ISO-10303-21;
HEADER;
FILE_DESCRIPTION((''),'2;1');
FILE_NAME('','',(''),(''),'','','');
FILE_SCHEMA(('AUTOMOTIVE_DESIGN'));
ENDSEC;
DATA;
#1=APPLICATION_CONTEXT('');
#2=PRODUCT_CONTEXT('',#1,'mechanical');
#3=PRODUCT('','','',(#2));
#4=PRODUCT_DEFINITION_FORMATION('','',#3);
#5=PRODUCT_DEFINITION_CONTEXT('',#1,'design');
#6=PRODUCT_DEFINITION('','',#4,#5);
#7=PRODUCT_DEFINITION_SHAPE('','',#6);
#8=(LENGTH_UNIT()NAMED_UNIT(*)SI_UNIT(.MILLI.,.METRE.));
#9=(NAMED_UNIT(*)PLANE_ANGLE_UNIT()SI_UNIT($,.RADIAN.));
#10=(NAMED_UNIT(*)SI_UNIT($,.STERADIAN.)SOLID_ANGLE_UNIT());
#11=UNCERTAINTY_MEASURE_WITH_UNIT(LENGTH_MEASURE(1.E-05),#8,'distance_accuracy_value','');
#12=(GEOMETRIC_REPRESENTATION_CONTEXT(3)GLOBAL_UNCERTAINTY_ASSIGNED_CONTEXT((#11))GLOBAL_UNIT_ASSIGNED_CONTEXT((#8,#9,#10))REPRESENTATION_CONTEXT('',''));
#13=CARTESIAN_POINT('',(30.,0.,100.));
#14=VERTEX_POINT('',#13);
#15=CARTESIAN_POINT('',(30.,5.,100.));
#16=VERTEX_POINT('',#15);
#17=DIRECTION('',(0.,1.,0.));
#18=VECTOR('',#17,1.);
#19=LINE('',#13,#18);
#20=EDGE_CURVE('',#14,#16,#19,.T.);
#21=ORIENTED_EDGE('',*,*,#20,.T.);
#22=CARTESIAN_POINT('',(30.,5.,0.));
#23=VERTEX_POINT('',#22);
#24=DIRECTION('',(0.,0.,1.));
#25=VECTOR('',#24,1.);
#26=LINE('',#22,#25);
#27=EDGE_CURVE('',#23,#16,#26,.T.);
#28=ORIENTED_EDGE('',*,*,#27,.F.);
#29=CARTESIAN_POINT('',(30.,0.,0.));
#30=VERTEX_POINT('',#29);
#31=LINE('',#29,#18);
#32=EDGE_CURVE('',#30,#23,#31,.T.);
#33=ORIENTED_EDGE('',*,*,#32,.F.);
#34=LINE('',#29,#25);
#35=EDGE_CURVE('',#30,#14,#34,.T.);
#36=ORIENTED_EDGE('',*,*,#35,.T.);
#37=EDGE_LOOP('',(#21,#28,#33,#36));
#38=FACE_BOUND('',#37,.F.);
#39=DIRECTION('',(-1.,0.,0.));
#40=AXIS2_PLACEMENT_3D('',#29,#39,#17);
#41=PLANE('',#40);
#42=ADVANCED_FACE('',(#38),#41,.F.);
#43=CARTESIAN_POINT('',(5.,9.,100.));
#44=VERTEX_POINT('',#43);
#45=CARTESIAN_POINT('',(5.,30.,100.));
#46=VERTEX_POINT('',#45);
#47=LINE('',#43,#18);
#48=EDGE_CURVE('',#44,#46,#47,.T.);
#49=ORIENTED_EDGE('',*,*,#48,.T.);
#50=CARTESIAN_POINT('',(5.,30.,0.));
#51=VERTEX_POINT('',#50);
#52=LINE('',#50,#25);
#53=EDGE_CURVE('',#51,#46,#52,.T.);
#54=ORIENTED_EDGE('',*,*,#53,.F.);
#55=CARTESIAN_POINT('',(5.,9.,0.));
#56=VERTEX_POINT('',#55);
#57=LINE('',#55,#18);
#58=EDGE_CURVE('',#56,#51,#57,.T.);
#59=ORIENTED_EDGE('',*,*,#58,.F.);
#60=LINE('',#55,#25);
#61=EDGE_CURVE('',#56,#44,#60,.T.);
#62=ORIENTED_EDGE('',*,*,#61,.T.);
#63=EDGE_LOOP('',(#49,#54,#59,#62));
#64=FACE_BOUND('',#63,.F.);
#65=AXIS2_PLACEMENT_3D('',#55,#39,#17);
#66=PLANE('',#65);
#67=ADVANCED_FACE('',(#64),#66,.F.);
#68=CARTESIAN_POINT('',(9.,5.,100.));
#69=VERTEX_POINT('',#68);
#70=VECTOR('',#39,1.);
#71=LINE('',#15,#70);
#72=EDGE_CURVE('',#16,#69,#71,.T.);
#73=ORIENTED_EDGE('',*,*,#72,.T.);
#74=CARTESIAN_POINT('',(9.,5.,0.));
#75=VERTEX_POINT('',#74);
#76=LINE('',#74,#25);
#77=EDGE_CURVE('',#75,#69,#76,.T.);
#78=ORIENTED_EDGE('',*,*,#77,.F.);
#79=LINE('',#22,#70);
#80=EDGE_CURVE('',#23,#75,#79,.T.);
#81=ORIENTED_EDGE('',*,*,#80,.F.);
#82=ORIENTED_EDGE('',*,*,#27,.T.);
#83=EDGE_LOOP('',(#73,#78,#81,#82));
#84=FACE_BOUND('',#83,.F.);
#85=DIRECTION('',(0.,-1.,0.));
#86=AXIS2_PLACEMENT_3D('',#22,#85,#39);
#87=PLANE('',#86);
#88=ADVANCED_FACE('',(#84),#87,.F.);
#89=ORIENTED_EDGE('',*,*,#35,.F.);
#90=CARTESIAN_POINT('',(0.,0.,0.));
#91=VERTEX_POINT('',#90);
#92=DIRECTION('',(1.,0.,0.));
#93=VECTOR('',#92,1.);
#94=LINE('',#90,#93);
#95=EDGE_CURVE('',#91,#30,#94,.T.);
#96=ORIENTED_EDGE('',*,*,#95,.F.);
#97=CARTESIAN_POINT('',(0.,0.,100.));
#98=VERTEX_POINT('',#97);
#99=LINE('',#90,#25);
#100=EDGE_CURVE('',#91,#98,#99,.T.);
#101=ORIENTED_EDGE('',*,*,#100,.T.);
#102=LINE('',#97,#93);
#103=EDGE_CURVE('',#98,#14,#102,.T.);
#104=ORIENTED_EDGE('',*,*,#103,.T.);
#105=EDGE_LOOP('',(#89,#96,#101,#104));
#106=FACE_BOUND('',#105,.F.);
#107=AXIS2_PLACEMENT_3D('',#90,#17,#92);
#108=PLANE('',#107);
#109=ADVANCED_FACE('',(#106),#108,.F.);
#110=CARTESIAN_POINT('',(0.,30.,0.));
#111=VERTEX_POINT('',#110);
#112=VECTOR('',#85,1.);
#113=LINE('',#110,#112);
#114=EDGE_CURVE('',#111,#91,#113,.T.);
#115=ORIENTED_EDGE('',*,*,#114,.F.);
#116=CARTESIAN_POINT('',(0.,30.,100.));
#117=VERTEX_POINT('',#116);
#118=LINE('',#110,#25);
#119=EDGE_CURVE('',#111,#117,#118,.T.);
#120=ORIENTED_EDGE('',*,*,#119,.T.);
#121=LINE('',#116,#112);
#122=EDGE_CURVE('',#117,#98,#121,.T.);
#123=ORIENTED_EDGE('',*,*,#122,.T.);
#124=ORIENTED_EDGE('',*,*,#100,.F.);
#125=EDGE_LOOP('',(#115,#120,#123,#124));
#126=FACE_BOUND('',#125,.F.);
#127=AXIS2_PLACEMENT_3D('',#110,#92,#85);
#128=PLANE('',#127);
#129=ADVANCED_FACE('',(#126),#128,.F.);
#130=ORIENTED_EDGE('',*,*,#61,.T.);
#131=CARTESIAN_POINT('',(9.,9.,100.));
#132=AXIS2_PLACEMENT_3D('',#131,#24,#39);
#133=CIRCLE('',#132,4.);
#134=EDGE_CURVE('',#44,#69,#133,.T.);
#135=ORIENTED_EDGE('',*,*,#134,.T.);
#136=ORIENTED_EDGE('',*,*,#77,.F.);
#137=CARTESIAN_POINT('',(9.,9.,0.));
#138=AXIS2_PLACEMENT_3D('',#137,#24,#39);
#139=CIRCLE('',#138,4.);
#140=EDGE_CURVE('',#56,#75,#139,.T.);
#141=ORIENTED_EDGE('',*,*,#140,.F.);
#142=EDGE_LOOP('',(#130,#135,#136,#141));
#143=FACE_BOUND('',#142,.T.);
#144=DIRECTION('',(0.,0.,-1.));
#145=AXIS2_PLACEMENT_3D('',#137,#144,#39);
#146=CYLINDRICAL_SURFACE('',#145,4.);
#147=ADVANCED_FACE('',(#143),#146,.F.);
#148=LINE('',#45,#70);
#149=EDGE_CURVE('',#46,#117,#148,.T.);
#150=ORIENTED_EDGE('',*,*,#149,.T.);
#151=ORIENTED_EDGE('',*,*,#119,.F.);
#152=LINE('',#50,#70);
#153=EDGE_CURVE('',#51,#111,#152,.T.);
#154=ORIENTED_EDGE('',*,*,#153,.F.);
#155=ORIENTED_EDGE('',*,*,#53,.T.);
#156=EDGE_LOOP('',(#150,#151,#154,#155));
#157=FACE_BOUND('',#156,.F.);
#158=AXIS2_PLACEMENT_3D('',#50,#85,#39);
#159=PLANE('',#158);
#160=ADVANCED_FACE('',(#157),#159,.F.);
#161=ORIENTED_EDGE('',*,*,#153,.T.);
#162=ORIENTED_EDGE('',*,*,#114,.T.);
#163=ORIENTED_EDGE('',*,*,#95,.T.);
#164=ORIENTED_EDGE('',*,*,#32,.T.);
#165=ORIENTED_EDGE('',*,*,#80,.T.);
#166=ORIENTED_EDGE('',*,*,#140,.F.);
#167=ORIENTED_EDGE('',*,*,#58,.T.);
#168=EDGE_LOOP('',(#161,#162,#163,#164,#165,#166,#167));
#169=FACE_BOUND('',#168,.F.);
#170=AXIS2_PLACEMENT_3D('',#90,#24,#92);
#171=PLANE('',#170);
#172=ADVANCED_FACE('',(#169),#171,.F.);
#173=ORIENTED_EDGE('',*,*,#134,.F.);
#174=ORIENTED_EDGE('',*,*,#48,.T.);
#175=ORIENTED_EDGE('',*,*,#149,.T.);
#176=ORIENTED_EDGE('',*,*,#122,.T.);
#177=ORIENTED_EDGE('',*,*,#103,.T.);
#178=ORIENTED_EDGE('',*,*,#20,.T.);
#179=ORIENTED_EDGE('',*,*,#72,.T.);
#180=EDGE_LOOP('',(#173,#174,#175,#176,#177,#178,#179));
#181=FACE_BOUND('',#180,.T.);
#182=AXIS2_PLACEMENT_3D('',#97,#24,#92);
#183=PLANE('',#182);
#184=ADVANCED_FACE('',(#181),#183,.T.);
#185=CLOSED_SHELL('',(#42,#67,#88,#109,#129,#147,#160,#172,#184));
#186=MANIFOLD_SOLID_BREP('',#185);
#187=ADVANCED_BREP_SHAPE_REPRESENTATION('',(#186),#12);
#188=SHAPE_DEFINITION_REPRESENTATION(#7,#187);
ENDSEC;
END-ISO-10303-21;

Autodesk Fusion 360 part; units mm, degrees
sketch "スケッチ1" plane through (0, 0, 0) normal (0, 0, 1) x (1, 0, 0)
  line L0 (30, 5) -> (9, 5)
  line L1 (0, 0) -> (30, 0)
  line L2 (0, 30) -> (0, 0)
  line L3 (5, 9) -> (5, 30)
  arc A0 (5, 9) -> (9, 5) centre (9, 9) ccw
  line L4 (5, 30) -> (0, 30)
  line L5 (30, 0) -> (30, 5)
extrude "押し出し1" add sketch "スケッチ1" along normal blind 100
